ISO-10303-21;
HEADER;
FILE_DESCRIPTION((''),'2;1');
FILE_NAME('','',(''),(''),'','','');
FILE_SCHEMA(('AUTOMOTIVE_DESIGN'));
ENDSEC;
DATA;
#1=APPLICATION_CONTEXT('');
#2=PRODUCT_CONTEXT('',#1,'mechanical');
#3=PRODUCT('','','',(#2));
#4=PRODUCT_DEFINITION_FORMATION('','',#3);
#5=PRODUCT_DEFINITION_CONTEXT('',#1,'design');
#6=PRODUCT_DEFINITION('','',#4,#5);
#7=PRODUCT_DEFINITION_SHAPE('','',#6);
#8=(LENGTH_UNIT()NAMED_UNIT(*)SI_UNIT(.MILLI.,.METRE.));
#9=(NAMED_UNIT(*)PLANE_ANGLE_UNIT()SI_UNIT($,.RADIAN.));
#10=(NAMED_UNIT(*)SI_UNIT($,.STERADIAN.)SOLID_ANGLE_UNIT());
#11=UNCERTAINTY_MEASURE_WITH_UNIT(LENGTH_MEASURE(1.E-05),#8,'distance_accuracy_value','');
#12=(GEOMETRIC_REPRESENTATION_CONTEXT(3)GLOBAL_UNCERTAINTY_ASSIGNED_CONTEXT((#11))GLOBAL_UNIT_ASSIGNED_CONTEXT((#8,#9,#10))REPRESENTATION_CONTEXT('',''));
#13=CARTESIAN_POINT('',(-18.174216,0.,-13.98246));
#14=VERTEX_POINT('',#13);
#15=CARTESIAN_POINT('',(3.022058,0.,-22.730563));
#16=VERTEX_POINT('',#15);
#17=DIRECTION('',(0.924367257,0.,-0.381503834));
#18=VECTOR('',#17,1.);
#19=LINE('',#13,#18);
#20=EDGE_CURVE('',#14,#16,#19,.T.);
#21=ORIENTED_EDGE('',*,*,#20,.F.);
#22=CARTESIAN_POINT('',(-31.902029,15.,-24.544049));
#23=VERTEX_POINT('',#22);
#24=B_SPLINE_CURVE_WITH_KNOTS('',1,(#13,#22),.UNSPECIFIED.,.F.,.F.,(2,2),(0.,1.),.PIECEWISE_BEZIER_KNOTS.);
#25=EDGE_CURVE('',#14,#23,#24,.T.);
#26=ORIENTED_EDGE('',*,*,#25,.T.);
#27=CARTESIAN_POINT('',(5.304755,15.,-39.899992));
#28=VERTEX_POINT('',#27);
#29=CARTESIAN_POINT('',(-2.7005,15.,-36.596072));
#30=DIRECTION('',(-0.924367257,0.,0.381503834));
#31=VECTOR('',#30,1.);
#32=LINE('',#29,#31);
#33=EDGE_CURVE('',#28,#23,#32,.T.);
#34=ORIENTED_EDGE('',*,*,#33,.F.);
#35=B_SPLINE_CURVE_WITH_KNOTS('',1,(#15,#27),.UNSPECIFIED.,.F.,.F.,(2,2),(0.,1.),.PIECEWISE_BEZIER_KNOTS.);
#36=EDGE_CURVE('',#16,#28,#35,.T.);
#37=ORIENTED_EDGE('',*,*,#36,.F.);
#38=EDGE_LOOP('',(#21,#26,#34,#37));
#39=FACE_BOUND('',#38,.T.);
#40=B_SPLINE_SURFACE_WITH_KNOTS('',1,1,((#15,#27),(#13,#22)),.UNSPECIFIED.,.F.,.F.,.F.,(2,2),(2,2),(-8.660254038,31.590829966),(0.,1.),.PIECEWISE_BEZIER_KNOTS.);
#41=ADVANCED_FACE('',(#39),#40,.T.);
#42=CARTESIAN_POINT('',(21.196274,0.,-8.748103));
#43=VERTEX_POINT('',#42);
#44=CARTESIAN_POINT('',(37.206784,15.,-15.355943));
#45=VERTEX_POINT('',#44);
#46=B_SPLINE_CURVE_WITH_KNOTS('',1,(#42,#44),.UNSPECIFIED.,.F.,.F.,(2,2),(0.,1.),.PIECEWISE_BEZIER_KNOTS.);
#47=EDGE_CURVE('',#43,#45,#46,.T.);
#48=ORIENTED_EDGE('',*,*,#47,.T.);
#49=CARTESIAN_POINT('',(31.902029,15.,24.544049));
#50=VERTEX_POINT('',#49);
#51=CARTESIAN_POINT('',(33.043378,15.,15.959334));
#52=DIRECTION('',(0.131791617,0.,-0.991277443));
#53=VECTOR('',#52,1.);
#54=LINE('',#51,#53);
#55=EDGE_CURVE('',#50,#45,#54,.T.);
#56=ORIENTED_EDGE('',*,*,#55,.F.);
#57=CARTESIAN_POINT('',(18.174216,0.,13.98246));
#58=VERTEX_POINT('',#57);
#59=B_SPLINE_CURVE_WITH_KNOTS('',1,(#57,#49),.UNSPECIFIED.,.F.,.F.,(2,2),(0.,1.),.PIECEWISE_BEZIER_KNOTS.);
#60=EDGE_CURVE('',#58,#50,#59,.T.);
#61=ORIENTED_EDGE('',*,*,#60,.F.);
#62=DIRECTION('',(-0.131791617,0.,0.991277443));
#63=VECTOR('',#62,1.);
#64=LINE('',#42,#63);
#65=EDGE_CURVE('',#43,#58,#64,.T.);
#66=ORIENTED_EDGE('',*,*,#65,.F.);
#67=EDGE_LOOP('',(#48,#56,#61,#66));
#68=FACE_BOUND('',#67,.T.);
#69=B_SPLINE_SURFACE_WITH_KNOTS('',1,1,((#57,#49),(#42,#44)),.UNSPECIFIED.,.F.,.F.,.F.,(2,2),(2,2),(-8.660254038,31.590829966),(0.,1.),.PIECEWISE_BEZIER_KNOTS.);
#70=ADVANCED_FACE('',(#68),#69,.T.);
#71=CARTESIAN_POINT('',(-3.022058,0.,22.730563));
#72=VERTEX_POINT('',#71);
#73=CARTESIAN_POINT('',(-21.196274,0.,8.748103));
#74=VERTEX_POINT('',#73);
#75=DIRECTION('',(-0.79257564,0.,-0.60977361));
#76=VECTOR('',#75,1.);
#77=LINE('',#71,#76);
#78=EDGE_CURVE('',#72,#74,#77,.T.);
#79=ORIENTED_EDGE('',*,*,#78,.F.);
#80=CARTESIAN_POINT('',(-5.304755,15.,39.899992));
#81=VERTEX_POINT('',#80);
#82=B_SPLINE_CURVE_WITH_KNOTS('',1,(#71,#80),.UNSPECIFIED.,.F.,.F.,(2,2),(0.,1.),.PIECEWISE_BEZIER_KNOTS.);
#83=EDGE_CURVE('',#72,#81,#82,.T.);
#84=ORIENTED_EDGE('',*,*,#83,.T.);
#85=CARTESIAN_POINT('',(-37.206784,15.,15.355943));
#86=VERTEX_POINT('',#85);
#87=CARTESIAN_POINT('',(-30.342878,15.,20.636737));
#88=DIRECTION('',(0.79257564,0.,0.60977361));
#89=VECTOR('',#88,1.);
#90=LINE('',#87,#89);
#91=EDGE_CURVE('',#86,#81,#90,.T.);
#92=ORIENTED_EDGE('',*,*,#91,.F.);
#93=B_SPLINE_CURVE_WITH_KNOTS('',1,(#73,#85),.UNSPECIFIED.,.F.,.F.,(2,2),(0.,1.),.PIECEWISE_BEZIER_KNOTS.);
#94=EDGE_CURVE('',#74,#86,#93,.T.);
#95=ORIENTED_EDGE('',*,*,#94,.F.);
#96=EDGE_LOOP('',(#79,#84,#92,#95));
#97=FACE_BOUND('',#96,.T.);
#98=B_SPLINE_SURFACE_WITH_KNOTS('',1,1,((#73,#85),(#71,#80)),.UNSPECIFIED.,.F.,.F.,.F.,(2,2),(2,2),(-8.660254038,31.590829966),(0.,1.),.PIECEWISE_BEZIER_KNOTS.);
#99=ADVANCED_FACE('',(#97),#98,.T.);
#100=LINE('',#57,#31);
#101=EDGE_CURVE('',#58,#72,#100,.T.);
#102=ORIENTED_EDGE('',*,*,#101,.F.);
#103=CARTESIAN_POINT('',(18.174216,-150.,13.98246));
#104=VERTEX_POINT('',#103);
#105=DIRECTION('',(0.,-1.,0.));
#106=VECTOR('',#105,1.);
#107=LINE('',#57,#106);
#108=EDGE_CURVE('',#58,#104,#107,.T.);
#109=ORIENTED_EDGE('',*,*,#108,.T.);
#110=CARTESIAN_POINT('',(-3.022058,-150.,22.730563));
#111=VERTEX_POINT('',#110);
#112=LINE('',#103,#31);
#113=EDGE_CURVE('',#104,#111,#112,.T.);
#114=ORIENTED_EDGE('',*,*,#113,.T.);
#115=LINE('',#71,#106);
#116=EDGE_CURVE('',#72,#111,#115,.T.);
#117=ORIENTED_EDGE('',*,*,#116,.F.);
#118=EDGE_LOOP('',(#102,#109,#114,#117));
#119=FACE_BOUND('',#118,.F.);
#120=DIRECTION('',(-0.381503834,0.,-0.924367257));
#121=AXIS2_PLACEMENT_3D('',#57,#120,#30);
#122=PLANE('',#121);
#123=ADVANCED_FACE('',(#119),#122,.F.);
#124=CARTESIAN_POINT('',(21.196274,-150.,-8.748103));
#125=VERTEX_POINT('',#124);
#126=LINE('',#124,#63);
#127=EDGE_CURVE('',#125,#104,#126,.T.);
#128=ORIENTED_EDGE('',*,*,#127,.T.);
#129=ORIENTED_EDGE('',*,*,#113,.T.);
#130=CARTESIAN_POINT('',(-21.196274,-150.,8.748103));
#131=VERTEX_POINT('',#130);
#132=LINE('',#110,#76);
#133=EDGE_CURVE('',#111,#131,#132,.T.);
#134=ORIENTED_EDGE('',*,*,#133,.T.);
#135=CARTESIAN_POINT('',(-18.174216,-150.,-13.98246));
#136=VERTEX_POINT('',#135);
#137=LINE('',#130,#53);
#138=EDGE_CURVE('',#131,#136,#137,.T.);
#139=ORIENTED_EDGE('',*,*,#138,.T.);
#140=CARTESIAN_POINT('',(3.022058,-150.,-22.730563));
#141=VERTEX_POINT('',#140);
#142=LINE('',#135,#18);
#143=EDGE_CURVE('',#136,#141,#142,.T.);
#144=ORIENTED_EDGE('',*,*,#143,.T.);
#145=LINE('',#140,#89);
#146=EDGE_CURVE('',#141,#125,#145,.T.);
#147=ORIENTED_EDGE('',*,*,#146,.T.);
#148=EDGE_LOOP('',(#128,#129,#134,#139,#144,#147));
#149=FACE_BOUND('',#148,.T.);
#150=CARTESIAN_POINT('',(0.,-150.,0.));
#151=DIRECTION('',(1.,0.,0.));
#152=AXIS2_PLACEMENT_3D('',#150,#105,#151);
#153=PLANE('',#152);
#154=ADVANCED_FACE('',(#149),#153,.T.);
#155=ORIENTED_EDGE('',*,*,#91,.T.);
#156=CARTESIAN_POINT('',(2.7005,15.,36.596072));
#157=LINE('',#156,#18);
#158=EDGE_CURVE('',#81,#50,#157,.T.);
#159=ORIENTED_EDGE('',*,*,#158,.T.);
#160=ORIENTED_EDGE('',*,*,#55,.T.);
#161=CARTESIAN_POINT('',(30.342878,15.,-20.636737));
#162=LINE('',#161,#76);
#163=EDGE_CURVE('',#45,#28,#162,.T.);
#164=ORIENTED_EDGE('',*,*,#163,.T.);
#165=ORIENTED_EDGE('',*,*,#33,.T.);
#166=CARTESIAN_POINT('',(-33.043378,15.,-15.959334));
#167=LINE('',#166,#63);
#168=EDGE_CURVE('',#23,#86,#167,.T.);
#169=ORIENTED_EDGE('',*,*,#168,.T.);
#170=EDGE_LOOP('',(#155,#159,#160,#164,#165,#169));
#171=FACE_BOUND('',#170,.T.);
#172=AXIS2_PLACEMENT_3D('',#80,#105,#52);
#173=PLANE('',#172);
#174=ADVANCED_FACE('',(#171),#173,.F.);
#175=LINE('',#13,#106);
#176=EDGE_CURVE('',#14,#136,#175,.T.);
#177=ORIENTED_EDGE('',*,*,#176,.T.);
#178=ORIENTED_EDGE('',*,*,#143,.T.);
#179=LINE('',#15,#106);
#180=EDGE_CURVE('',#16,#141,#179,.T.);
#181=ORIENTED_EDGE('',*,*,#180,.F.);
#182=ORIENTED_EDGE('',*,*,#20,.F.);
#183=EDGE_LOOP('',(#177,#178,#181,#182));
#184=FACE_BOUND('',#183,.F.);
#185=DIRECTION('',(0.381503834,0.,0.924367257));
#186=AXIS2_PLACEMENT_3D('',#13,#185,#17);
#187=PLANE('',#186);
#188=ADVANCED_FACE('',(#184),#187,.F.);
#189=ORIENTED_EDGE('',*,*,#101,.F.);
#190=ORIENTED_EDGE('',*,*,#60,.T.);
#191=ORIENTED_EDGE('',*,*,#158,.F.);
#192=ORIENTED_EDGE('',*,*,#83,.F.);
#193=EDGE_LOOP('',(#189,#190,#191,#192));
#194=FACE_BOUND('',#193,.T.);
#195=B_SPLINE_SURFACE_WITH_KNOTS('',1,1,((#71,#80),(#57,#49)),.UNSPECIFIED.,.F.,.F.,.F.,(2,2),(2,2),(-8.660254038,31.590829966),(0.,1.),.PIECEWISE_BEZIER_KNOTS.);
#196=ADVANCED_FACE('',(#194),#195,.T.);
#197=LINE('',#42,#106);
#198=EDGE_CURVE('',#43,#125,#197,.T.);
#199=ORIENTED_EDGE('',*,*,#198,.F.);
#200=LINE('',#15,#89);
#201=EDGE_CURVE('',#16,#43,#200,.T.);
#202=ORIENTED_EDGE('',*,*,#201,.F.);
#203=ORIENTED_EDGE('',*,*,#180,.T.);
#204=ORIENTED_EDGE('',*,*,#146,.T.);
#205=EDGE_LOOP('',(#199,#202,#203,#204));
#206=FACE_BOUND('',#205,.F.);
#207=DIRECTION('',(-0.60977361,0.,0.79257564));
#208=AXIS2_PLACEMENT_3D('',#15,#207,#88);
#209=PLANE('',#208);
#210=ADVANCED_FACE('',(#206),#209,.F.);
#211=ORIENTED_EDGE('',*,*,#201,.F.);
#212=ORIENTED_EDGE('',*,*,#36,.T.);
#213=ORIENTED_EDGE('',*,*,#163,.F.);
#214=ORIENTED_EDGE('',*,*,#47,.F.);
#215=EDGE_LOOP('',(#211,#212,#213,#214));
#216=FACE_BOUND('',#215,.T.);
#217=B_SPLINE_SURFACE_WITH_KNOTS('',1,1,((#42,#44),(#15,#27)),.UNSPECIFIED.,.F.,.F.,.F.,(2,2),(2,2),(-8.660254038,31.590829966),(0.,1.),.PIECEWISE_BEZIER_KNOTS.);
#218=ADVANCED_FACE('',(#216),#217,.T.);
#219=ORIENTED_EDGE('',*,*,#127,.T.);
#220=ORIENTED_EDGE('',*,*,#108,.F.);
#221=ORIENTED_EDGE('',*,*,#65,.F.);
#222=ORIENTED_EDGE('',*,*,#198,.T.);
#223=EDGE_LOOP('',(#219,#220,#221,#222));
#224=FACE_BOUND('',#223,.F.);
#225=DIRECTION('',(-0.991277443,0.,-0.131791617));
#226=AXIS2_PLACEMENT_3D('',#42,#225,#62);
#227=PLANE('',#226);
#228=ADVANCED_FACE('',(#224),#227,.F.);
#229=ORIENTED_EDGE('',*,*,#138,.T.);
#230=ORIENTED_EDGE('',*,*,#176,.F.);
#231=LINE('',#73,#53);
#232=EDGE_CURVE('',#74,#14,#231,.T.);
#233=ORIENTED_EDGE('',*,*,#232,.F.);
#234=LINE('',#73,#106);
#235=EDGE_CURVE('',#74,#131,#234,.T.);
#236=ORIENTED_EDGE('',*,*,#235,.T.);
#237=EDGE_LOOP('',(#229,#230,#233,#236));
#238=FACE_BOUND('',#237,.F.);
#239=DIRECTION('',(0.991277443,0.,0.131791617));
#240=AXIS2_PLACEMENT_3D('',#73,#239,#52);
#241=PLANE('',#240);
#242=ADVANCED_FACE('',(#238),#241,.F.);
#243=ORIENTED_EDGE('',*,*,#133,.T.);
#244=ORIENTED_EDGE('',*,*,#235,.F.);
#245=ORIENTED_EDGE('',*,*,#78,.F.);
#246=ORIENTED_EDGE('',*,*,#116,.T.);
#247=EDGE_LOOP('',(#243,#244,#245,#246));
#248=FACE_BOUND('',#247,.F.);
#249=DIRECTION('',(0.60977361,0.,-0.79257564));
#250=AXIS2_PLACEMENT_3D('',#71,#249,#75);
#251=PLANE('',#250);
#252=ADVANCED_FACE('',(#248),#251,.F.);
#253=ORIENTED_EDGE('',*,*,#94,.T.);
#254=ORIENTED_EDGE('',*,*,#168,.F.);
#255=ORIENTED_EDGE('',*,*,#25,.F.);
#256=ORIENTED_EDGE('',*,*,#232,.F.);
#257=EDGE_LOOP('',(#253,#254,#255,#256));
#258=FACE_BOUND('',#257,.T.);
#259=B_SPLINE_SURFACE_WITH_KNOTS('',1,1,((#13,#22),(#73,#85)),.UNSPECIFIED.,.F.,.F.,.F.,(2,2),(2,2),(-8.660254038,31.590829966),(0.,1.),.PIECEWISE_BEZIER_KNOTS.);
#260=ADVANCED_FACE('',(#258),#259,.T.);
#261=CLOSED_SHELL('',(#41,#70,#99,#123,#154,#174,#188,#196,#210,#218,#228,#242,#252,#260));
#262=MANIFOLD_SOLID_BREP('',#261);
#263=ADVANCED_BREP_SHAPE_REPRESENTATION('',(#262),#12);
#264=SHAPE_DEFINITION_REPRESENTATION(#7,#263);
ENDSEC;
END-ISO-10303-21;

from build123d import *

# Parameters (mm, degrees)
F1_DEPTH = 150
F2_DEPTH = 15
F2_TAPER = -45


with BuildPart() as f1:
    # F0 (on Front) → F1 (new body)
    with BuildSketch(Plane.XZ):
        Polygon((18.1742158883, 13.982460057), (-3.0220576727, 22.7305626816), (-21.196273561, 8.7481026246), (-18.1742158883, -13.982460057), (3.0220576727, -22.7305626816), (21.196273561, -8.7481026246), align=None)
    extrude(amount=F1_DEPTH)

    # F1_face (on face) → F2 (join)
    with BuildSketch(Plane(origin=(0, 0, 0), x_dir=(1, 0, 0), z_dir=(0, 1, 0))):
        Polygon((-3.0220576727, -22.7305626816), (18.1742158883, -13.982460057), (21.196273561, 8.7481026246), (3.0220576727, 22.7305626816), (-18.1742158883, 13.982460057), (-21.196273561, -8.7481026246), align=None)
    extrude(amount=F2_DEPTH, taper=F2_TAPER)


solid = f1.part
